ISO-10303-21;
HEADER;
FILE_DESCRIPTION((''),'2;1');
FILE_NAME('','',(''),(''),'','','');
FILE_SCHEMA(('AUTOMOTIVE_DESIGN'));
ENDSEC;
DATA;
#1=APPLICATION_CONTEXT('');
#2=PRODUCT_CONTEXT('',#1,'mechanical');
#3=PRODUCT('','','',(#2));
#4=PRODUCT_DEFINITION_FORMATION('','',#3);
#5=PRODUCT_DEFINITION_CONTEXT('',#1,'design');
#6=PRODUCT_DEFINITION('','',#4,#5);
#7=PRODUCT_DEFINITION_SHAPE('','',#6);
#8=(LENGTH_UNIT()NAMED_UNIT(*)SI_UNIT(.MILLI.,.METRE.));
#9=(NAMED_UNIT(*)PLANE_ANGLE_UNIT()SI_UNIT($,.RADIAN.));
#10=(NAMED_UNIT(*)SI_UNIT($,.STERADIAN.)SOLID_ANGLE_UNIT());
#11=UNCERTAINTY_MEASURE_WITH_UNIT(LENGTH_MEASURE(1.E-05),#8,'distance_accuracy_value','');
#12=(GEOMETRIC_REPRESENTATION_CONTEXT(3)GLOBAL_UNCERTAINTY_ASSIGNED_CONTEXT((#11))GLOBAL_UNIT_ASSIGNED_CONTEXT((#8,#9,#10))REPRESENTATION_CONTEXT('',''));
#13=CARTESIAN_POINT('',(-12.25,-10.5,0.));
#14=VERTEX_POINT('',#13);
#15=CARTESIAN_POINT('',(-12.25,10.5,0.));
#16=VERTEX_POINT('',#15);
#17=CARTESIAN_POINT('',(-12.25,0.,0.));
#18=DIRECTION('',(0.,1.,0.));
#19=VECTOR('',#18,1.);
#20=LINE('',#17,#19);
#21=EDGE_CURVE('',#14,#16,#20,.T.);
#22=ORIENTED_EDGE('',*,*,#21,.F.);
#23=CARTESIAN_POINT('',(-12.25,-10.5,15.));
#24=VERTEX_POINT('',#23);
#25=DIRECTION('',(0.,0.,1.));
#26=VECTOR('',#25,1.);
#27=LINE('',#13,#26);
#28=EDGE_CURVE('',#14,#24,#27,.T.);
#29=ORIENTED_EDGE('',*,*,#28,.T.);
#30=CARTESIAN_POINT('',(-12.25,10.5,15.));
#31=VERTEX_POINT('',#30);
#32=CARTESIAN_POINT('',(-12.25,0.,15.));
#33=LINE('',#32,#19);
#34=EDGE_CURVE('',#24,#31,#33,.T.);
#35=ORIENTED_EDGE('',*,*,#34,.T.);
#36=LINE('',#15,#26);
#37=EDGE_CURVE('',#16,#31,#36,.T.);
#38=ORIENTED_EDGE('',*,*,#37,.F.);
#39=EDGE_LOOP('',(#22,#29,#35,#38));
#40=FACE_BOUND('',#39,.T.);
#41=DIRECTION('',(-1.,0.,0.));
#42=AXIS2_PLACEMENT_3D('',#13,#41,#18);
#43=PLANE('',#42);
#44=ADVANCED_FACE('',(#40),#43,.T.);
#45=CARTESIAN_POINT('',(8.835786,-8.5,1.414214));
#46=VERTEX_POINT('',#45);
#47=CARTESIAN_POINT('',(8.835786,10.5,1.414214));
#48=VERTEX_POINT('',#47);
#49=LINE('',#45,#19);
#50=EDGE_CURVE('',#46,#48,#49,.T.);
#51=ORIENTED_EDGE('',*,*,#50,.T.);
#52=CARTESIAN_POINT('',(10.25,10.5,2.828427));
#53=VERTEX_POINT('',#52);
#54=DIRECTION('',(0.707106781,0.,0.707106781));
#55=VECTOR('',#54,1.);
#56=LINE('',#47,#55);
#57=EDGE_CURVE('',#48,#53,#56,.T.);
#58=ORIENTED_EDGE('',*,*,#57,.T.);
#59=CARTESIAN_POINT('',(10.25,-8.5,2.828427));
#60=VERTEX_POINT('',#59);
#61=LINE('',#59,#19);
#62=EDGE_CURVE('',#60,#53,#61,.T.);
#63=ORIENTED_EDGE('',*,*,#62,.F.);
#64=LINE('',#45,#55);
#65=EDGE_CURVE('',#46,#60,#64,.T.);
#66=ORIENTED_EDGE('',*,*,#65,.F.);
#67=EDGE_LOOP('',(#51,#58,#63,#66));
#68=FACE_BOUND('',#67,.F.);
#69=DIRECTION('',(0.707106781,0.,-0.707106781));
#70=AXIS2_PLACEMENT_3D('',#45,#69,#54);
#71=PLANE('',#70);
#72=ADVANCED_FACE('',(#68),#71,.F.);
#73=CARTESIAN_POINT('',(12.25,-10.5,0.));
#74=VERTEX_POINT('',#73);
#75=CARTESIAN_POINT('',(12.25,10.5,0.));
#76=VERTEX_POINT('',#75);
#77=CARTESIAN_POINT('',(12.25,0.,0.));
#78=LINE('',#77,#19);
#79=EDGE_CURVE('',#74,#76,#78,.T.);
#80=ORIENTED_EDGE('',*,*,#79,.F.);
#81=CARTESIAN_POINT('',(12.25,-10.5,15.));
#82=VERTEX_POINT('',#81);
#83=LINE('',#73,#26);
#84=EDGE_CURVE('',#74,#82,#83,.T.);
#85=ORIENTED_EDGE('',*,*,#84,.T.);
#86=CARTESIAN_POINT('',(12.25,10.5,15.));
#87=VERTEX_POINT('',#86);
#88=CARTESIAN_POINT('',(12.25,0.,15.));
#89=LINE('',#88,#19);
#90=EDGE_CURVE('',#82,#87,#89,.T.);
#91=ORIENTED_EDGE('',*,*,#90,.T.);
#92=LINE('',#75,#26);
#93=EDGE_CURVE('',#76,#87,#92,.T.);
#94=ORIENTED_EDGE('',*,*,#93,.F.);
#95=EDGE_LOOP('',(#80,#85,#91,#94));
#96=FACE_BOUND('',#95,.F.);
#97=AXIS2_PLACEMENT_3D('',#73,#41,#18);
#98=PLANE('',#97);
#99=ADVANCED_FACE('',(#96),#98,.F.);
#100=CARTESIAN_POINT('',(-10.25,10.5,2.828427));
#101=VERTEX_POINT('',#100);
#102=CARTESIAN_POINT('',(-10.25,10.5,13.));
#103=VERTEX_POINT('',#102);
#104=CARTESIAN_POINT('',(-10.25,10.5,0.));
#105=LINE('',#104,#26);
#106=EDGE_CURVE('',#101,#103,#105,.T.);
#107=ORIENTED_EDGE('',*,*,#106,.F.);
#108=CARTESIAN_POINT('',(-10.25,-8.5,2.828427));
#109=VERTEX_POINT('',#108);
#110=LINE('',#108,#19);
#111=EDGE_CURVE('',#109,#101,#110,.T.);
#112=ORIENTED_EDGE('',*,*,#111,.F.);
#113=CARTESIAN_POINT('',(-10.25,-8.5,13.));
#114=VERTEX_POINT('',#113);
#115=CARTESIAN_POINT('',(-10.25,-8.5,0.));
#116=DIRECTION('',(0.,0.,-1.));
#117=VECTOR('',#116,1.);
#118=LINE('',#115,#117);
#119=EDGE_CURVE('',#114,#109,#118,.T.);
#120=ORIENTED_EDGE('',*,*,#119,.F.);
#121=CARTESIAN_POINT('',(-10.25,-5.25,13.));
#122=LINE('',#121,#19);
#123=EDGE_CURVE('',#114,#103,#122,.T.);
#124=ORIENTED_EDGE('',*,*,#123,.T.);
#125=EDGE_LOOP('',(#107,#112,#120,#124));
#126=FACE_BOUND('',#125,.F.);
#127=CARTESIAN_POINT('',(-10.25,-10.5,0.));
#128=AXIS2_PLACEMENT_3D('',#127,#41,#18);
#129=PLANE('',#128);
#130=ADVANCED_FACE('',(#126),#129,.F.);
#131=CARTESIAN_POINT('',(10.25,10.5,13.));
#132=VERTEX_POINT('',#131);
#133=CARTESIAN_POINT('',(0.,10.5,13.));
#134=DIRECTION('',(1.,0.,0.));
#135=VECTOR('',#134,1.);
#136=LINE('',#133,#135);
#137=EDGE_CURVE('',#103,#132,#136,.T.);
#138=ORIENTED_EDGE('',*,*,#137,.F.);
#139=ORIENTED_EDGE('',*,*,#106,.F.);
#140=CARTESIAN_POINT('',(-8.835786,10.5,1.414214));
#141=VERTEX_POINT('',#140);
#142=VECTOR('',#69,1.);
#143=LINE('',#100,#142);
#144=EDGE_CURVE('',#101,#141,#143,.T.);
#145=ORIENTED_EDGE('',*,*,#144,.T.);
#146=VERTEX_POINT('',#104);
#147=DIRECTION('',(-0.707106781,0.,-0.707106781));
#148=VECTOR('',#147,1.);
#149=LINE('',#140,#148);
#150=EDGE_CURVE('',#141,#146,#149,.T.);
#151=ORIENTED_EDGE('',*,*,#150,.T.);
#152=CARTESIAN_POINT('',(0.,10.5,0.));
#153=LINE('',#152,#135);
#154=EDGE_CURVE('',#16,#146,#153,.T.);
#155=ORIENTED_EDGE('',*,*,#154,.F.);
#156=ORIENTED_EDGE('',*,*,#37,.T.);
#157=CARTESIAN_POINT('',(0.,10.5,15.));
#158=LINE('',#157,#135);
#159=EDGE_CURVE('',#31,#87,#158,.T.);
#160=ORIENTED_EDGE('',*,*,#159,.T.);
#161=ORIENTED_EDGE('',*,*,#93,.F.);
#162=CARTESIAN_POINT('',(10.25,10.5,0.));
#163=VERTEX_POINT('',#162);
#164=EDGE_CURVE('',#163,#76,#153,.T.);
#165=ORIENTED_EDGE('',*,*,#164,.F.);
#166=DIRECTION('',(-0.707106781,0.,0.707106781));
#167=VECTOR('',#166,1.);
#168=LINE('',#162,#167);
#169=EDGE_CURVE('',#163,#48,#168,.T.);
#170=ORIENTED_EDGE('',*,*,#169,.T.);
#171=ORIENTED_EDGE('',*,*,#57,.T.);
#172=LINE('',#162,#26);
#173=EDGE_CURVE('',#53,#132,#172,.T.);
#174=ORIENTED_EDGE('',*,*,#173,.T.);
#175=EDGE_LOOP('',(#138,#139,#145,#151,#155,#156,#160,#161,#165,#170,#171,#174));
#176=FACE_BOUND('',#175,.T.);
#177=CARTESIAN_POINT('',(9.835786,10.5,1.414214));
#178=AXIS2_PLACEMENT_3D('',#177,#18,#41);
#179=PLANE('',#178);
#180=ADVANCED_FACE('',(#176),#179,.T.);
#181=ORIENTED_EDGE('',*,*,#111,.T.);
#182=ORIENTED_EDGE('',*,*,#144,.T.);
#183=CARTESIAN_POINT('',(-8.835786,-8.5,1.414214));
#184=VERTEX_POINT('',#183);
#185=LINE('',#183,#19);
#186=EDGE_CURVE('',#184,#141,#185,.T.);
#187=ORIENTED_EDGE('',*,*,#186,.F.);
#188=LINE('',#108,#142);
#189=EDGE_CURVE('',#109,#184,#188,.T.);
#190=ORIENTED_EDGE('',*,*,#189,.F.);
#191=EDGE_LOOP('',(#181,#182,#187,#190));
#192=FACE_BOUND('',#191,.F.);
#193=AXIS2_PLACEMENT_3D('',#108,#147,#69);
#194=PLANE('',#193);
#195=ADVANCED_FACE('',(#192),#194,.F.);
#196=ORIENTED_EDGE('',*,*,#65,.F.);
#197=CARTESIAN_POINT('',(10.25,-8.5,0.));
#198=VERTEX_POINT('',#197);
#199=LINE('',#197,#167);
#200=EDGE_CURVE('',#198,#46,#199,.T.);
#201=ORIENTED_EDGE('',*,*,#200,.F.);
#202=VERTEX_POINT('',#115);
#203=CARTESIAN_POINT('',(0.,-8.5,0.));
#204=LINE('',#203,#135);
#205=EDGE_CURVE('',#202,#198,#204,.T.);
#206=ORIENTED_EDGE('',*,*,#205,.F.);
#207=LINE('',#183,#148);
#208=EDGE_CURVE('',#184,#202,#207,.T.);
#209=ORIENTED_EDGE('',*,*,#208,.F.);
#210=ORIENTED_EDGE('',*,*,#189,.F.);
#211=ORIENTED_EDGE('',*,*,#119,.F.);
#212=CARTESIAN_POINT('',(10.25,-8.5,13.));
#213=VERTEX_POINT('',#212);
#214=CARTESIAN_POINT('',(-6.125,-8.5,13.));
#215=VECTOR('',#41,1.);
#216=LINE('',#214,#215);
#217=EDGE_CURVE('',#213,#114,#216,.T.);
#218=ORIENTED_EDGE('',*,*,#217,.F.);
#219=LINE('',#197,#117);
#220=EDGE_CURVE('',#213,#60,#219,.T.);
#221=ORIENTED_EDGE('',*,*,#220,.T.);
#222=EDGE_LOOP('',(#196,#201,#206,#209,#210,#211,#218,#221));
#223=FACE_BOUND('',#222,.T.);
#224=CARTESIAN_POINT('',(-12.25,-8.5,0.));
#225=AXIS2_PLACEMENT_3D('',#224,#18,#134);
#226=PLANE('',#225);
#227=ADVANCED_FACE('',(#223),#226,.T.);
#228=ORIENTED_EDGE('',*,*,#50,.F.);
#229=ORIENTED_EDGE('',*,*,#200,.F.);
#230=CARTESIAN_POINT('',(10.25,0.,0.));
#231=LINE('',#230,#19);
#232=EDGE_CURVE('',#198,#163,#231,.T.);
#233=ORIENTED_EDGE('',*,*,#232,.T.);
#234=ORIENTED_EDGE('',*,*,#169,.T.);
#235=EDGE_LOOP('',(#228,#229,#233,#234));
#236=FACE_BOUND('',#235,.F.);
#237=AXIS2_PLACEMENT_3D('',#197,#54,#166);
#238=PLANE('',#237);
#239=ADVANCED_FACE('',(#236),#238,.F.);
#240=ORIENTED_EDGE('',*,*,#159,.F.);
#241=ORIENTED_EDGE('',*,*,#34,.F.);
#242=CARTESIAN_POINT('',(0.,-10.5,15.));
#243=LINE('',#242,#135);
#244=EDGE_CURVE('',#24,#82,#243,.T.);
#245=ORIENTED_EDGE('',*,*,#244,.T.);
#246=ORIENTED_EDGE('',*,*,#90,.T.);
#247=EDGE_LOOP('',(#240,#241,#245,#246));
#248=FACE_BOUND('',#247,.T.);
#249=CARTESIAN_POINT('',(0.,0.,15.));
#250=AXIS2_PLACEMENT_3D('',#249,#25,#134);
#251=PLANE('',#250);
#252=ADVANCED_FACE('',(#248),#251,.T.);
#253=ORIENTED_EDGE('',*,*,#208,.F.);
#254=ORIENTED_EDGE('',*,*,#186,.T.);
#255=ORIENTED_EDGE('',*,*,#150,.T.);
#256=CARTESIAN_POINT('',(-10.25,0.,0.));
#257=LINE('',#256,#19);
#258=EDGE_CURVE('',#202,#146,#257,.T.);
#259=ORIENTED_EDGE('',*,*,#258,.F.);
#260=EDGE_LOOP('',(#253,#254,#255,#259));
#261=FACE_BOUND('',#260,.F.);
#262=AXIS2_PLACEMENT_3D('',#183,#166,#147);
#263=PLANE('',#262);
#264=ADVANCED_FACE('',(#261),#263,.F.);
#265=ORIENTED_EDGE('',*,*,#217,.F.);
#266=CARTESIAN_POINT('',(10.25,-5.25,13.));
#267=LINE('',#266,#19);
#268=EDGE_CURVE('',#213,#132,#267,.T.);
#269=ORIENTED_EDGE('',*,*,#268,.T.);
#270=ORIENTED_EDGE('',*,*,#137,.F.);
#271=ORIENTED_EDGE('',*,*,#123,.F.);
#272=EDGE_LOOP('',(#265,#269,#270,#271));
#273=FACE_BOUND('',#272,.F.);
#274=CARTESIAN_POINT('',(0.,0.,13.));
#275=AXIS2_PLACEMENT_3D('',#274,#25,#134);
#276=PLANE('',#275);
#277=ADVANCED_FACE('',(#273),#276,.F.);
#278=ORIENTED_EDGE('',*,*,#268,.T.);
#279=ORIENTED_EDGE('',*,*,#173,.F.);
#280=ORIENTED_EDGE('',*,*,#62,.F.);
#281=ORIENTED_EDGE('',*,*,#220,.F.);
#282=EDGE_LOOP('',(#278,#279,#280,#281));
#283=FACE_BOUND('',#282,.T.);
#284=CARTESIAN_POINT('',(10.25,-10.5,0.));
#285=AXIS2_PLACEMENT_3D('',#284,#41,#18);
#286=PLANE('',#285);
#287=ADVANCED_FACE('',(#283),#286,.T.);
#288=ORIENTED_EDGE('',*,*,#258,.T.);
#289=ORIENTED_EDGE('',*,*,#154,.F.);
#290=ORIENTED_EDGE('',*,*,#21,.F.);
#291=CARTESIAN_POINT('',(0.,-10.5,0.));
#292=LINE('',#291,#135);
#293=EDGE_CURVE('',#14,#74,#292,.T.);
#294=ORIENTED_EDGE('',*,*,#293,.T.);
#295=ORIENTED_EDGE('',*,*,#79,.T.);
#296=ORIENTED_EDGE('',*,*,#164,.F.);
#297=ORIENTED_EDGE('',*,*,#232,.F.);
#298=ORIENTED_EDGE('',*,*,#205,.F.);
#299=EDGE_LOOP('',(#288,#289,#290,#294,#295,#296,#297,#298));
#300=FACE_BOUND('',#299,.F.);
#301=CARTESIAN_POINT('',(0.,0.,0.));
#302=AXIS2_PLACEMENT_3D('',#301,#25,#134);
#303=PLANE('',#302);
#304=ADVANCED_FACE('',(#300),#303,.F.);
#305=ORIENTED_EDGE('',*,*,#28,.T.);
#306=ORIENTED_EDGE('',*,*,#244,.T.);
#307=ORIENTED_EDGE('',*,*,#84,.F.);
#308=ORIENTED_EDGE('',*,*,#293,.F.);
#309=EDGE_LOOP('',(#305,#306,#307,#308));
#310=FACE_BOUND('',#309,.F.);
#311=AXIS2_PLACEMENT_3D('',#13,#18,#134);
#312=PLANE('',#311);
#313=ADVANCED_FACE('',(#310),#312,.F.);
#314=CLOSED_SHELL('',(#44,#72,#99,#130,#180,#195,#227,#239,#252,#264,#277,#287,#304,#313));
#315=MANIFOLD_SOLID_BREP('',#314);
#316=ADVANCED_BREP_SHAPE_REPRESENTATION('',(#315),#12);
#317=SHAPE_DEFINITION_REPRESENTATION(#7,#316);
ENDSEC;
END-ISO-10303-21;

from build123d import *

# Parameters (mm, degrees)
F0_W     = 24.5
F0_H     = 21
F1_DEPTH = 15
F2_T     = -2
F4_DEPTH = 19


with BuildPart() as f1:
    # F0 (on Top) → F1 (new body)
    with BuildSketch(Plane.XY):
        Rectangle(F0_W, F0_H)
    extrude(amount=F1_DEPTH)

    # F2
    f2_openings = [f1.faces().sort_by_distance(p)[0] for p in [
        (0, 0, 0),
        (0, 10.5, 7.5),
    ]]
    offset(amount=F2_T, openings=f2_openings)

    # F3 (on face) → F4 (join)
    with BuildSketch(Plane(origin=(0, -8.5, 0), x_dir=(-1, 0, 0), z_dir=(0, 1, 0))):
        Polygon((-10.25, 2.8284271247), (-10.25, 0), (-8.8357864376, 1.4142135624), align=None)
        Polygon((8.8357864376, 1.4142135624), (10.25, 0), (10.25, 2.8284271247), align=None)
    extrude(amount=F4_DEPTH)


solid = f1.part
